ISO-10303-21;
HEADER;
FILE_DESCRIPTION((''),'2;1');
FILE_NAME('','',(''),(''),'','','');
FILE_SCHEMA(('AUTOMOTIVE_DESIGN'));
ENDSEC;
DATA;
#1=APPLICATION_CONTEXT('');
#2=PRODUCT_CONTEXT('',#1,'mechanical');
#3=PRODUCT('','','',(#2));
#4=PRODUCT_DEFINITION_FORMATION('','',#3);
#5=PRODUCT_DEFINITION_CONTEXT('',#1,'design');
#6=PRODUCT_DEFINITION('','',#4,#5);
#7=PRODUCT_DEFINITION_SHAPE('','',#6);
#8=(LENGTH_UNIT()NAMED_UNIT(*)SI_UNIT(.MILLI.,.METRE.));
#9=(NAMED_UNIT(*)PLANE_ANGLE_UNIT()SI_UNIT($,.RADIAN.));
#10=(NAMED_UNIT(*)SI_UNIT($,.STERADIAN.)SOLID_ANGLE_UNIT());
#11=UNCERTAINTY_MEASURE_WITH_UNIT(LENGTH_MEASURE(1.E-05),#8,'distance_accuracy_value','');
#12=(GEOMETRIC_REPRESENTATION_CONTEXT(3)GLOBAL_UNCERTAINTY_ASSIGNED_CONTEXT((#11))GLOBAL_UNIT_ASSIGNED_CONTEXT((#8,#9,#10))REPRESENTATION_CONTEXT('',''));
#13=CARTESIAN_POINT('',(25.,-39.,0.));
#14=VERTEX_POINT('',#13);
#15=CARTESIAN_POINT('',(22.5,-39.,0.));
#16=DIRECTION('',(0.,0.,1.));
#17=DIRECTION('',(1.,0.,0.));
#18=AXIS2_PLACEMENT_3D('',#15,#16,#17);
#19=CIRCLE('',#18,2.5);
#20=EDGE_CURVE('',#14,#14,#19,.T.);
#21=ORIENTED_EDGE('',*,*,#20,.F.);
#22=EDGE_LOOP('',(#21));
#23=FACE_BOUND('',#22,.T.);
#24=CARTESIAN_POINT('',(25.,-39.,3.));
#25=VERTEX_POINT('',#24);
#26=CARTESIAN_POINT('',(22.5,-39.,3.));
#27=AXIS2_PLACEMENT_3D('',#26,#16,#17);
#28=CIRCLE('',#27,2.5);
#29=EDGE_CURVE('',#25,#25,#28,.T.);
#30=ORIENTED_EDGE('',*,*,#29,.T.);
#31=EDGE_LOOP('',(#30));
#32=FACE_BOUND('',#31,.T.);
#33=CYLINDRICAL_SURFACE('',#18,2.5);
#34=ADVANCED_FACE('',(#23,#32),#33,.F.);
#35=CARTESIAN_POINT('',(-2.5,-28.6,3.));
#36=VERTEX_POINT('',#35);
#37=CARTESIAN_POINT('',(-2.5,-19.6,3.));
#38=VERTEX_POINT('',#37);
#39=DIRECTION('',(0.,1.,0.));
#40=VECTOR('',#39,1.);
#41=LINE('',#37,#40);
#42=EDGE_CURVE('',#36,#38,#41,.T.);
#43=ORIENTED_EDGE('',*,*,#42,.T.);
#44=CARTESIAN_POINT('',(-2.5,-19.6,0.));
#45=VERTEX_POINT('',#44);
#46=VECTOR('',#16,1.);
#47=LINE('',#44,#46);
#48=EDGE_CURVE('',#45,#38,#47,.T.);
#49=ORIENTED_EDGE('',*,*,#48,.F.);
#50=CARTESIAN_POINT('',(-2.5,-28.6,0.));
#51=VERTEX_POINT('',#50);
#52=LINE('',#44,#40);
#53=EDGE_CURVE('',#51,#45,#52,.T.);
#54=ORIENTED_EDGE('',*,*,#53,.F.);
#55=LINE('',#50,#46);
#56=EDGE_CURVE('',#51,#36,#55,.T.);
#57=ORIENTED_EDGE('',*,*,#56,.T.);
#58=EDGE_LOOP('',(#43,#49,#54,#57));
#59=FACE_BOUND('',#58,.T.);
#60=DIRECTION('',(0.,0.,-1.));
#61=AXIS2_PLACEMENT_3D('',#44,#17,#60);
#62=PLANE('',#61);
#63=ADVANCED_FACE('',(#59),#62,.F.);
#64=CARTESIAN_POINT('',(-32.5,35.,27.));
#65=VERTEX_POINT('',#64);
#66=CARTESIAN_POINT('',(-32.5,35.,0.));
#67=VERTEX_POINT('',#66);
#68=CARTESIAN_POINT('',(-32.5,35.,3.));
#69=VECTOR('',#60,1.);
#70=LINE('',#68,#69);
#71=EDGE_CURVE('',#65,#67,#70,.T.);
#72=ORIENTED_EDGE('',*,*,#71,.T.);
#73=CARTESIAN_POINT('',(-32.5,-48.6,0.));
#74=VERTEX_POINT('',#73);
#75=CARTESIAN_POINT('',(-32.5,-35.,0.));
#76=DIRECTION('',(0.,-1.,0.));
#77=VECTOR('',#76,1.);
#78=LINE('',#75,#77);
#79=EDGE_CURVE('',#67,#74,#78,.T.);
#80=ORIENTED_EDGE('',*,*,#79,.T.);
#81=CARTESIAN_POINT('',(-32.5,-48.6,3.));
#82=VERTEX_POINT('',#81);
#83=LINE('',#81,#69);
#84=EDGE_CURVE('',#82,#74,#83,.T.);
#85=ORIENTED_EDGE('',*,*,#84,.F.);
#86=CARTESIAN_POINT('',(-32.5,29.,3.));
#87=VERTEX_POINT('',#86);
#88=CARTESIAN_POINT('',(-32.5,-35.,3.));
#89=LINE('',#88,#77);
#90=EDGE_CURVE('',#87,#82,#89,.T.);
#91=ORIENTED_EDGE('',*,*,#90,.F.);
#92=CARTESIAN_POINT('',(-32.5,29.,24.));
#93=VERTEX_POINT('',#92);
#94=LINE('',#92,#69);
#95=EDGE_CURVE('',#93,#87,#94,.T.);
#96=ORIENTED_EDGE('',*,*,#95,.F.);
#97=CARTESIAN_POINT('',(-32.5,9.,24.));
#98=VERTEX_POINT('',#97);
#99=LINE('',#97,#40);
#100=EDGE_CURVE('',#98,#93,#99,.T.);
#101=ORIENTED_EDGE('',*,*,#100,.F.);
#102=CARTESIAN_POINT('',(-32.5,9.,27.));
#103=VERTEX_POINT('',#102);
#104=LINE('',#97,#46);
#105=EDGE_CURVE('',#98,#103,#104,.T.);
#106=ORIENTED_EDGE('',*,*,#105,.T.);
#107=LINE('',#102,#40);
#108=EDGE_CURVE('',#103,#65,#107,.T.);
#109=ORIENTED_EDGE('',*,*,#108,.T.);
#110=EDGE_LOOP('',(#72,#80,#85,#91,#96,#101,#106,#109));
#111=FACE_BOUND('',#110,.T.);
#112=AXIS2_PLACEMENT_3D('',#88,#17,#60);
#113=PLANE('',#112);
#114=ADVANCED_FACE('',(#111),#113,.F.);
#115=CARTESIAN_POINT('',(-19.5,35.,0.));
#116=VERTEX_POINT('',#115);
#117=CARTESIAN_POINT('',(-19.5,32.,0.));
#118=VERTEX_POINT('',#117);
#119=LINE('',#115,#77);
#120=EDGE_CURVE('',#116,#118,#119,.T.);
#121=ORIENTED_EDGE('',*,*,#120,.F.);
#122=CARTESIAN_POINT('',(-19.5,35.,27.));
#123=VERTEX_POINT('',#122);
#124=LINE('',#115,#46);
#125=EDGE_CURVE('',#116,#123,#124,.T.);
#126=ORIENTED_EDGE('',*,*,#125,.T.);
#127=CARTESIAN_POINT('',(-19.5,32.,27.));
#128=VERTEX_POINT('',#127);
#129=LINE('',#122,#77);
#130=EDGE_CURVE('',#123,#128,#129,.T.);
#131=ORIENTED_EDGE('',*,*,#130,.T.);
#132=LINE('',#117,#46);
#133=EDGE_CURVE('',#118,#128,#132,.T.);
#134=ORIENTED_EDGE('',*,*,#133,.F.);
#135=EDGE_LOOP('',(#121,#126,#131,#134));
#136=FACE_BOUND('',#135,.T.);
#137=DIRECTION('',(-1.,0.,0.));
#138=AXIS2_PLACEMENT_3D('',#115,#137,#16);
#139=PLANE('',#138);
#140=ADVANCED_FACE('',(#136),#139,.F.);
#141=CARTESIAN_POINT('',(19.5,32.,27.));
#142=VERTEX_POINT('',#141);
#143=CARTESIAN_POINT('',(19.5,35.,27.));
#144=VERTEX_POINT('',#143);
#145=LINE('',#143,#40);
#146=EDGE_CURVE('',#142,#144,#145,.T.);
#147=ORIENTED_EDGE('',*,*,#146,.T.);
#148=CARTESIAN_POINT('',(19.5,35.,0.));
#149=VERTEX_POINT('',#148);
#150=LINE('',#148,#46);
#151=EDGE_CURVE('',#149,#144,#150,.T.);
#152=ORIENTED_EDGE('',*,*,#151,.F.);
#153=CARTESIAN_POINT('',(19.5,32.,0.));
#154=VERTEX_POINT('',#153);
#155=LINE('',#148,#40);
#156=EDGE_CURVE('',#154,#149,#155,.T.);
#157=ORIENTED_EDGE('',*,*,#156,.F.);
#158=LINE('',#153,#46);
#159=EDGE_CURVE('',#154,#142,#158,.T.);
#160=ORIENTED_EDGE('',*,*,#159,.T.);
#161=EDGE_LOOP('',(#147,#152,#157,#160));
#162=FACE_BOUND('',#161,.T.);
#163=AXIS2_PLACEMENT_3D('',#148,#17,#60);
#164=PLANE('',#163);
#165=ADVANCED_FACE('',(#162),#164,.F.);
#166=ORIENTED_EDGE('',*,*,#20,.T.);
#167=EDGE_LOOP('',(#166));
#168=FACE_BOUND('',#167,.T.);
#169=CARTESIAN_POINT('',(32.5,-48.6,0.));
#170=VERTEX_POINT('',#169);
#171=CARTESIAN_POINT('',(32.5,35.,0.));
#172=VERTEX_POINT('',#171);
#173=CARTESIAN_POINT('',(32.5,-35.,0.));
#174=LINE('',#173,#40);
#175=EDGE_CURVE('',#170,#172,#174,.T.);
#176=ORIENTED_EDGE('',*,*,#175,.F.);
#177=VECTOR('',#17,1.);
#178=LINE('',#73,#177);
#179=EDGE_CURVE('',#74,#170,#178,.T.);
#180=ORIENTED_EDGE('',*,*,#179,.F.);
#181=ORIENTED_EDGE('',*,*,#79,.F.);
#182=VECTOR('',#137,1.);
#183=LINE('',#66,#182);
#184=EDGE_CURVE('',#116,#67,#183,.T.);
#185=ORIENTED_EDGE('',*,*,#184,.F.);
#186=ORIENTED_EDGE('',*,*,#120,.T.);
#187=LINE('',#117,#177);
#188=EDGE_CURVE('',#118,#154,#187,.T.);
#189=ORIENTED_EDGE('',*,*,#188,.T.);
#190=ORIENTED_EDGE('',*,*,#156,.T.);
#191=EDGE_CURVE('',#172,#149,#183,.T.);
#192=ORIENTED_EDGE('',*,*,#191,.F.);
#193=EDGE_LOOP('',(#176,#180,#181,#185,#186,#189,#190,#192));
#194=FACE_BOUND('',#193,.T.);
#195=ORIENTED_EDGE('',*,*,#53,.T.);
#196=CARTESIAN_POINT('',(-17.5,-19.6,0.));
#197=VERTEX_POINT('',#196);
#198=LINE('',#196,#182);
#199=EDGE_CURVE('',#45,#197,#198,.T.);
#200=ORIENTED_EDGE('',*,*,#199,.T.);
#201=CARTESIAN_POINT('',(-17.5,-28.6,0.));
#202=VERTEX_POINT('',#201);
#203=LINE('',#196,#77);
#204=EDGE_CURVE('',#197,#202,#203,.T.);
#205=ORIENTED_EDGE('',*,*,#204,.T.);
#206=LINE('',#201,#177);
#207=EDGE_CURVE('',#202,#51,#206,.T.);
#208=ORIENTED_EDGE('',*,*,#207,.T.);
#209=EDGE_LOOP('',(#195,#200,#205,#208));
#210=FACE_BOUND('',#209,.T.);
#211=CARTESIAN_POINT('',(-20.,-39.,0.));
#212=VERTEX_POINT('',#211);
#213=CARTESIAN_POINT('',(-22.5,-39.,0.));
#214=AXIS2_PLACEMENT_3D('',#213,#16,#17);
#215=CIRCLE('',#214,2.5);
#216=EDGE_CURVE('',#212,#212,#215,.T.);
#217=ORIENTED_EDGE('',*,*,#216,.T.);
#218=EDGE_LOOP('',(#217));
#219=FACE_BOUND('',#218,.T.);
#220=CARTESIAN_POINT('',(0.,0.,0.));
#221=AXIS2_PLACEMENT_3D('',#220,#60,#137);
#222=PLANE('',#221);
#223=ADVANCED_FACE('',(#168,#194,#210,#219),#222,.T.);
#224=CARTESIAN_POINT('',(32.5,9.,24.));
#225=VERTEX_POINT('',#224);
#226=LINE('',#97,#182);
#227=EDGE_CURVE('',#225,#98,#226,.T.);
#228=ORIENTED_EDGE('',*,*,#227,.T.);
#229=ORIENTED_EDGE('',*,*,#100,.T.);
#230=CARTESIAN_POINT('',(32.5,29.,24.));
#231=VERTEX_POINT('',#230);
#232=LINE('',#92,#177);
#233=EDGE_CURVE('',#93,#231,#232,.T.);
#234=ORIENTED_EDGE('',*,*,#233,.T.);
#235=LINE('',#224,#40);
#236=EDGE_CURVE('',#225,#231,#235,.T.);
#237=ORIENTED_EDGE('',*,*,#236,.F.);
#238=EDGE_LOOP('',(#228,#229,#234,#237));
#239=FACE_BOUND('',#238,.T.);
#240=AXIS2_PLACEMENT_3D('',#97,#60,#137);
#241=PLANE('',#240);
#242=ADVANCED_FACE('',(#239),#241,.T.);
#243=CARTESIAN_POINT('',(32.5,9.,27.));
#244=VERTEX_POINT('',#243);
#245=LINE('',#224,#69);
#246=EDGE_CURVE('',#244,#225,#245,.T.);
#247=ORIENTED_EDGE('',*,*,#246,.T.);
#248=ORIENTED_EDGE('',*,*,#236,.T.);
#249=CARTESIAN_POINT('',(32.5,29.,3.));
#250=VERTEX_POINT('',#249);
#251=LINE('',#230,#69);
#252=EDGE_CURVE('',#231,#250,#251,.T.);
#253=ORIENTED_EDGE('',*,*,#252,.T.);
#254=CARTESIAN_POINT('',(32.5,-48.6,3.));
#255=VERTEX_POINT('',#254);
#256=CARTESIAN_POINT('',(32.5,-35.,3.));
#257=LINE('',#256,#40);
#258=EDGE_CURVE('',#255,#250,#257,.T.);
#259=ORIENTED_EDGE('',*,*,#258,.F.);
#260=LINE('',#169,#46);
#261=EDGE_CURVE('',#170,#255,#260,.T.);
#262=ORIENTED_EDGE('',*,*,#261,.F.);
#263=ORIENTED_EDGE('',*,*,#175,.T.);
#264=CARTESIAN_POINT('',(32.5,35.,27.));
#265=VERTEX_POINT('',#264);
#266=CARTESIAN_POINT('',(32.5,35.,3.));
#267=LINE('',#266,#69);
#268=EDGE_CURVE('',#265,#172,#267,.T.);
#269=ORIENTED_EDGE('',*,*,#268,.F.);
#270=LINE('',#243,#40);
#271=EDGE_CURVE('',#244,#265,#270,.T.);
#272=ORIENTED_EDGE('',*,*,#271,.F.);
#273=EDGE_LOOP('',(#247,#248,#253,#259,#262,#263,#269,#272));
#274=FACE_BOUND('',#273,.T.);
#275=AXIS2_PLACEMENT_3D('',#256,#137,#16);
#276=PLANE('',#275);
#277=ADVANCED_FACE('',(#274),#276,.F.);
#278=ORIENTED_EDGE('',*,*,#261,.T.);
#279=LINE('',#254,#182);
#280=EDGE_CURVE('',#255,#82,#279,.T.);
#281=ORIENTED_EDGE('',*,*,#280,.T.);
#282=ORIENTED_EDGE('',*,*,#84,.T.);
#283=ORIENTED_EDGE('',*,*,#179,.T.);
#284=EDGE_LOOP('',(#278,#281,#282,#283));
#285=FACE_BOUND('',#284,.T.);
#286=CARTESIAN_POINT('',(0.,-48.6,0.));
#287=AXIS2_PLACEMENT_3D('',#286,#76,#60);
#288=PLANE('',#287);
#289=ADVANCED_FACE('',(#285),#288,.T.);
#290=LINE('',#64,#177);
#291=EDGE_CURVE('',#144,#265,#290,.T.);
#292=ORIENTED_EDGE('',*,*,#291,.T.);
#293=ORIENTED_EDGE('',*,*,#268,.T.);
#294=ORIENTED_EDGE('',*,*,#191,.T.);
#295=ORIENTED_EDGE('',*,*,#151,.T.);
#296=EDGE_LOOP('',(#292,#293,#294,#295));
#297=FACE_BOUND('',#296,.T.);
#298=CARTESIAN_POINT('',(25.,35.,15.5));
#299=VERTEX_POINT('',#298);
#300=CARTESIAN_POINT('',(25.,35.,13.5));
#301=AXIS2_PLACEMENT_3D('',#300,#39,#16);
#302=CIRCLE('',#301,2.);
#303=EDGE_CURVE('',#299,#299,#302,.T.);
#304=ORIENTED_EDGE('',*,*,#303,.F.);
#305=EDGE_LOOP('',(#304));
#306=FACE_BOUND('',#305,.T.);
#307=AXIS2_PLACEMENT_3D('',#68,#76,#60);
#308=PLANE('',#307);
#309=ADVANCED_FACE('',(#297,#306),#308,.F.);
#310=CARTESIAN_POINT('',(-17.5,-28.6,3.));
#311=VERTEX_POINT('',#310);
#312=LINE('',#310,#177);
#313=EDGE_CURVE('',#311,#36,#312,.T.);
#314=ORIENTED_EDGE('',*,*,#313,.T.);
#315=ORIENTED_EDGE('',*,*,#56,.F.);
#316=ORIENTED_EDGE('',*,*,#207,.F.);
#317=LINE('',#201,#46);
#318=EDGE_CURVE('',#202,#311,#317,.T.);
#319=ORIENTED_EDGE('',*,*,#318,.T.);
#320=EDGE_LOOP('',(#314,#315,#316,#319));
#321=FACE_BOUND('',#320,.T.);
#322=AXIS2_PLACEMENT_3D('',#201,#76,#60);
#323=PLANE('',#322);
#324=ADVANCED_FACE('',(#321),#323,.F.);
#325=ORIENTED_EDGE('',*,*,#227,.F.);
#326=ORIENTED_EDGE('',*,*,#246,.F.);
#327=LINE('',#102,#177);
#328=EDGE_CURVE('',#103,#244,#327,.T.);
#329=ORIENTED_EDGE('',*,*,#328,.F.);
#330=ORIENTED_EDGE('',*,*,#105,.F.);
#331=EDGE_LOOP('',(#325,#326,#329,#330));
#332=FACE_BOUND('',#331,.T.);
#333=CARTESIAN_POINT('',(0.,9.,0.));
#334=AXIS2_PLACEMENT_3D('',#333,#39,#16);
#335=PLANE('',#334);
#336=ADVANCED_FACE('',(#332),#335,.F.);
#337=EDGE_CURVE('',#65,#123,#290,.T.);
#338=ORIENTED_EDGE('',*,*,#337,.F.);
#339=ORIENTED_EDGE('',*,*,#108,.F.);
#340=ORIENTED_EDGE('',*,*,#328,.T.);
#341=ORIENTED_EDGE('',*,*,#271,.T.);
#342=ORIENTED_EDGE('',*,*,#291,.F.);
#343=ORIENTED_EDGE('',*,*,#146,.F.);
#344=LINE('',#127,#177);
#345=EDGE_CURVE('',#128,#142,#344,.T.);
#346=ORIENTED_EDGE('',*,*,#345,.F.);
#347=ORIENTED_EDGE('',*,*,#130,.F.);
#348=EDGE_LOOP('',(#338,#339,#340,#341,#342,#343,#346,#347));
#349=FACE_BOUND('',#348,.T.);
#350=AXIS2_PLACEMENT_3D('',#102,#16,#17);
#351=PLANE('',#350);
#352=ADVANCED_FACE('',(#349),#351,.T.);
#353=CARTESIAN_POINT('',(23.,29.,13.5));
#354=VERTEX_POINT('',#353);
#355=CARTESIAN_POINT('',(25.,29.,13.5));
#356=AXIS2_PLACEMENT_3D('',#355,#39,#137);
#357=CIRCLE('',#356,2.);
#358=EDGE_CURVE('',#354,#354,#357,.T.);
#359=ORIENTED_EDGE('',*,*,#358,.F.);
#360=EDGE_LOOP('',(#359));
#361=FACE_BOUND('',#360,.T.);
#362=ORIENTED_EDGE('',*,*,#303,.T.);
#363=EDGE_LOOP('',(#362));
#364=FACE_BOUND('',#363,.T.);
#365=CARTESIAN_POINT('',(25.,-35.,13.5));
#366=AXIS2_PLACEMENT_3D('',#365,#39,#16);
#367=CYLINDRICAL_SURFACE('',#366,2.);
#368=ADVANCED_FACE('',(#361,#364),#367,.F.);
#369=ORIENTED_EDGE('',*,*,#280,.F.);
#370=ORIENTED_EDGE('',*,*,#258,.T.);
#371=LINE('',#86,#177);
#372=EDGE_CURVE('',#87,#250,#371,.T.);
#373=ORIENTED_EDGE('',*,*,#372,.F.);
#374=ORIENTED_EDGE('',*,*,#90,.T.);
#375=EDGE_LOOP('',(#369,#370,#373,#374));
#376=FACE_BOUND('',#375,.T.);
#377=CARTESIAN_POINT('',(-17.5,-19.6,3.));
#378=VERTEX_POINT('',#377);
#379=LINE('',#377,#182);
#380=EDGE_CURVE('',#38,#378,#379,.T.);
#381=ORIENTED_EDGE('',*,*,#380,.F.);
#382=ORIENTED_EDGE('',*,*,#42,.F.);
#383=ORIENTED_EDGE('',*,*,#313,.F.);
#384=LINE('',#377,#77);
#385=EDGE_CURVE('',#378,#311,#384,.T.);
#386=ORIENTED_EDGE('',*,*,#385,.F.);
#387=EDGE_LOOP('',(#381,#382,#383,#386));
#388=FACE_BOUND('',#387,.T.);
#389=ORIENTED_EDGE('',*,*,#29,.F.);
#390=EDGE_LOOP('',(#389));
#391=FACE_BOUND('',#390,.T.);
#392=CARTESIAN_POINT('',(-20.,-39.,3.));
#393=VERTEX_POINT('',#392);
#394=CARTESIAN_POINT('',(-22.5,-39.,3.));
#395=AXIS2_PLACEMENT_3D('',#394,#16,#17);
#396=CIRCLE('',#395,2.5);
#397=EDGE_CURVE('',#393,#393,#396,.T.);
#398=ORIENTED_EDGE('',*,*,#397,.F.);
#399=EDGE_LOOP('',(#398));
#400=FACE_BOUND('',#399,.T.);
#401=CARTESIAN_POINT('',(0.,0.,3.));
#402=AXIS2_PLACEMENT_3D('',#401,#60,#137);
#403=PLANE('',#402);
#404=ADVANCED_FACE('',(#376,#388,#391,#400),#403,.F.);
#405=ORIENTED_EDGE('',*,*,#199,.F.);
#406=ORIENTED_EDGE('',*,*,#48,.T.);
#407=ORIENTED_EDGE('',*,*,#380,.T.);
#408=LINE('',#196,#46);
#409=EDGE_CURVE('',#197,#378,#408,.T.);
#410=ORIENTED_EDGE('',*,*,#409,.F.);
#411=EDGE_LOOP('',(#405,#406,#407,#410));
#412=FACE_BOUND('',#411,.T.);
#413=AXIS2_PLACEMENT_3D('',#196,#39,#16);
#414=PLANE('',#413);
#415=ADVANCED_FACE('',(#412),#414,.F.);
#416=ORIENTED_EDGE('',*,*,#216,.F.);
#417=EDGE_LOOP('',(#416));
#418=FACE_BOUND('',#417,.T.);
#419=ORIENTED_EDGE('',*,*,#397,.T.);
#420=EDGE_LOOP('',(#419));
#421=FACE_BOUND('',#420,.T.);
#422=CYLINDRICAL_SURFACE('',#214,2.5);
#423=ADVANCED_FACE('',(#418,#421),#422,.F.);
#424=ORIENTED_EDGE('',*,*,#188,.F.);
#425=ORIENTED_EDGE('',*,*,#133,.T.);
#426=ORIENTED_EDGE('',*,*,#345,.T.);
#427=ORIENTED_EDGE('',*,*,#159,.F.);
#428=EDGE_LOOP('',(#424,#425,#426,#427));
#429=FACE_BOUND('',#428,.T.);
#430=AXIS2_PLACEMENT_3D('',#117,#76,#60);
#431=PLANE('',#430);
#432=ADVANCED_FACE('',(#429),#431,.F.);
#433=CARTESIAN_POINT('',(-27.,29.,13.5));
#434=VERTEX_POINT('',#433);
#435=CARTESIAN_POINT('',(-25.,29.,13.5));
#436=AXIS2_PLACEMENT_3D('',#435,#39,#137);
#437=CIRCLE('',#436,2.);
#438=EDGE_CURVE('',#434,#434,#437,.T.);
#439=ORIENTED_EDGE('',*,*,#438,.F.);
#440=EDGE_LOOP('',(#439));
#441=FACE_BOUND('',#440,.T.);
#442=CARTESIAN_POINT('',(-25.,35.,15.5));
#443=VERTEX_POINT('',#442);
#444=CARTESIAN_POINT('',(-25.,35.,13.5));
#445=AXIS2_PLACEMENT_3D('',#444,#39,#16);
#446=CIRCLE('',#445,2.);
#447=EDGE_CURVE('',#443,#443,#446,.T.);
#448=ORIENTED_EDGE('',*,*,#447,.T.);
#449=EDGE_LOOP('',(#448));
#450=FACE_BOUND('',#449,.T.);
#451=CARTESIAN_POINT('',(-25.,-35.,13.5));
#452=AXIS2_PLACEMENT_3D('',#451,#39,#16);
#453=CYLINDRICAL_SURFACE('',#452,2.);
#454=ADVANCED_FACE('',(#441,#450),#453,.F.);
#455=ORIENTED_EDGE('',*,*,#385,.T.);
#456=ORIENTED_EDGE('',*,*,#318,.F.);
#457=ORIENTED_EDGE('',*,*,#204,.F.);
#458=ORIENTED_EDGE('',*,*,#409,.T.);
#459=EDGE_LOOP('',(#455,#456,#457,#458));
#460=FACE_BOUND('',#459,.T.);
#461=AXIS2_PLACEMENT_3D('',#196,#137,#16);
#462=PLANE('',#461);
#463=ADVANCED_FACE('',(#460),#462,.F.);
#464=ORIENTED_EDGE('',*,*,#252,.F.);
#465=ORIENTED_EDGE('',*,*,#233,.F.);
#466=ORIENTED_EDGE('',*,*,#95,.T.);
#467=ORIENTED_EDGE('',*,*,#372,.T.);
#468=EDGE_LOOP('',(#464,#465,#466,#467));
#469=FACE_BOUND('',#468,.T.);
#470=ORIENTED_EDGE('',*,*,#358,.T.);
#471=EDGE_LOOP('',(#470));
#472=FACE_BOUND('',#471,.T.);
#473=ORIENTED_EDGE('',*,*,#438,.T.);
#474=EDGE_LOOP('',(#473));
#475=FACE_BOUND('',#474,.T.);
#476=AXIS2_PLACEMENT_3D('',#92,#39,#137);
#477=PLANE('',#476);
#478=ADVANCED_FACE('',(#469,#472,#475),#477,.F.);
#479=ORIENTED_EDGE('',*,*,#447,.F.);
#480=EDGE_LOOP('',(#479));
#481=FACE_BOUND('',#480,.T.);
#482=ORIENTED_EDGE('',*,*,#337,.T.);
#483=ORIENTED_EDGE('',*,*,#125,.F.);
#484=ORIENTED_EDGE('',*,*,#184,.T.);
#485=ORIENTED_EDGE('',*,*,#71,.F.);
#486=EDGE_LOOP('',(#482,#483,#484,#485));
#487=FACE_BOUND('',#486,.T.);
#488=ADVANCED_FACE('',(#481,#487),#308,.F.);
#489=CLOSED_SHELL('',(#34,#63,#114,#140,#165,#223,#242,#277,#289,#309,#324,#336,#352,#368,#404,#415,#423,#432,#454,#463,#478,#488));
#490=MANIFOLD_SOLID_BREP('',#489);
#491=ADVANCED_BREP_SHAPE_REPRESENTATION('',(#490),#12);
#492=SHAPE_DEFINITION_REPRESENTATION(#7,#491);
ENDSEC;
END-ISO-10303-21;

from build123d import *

# Parameters (mm, degrees)
SKETCH_1_W          = 65
SKETCH_1_H          = 70
EXTRUDE_1_DEPTH     = 3
SKETCH_2_W          = 65
SKETCH_2_H          = 6
EXTRUDE_2_DEPTH     = 21
SKETCH_3_W          = 65
SKETCH_3_H          = 3
EXTRUDE_3_DEPTH     = 26
SKETCH_4_W          = 39
SKETCH_4_H          = 3
CUT_EXTRUDE_1_DEPTH = 55.865745233
SKETCH_5_R          = 2
CUT_EXTRUDE_2_DEPTH = 82.76337811
SKETCH_6_W          = 65
SKETCH_6_H          = 3
EXTRUDE_4_DEPTH     = 13.6
SKETCH_7_R          = 2.5
CUT_EXTRUDE_3_DEPTH = 64.199762658
SKETCH_8_W          = 15
SKETCH_8_H          = 9
CUT_EXTRUDE_4_DEPTH = 64.199762658


with BuildPart() as part:
    # 草图1 → 凸台-拉伸1 (new body)
    with BuildSketch(Plane.XY):
        Rectangle(SKETCH_1_W, SKETCH_1_H)
    extrude(amount=EXTRUDE_1_DEPTH)

    # 草图2 → 凸台-拉伸2 (add)
    with BuildSketch(Plane.XY.offset(3)):
        with Locations((0, 32)):
            Rectangle(SKETCH_2_W, SKETCH_2_H)
    extrude(amount=EXTRUDE_2_DEPTH)

    # 草图3 → 凸台-拉伸3 (add)
    with BuildSketch(Plane(origin=(0, 35, 0), x_dir=(1, 0, 0), z_dir=(0, 1, 0))):
        with Locations((0, -25.5)):
            Rectangle(SKETCH_3_W, SKETCH_3_H)
    extrude(amount=-EXTRUDE_3_DEPTH)

    # 草图4 → 切除-拉伸1 (cut, through all)
    with BuildSketch(Plane.XY.offset(27)):
        with Locations((0, 33.5)):
            Rectangle(SKETCH_4_W, SKETCH_4_H)
    extrude(amount=-CUT_EXTRUDE_1_DEPTH, mode=Mode.SUBTRACT)

    # 草图5 → 切除-拉伸2 (cut, through all)
    with BuildSketch(Plane(origin=(0, 35, 0), x_dir=(1, 0, 0), z_dir=(0, 1, 0))):
        with Locations(Location((-25, -13.5, 0), (0, 0, 270))):
            Circle(SKETCH_5_R)
        with Locations(Location((25, -13.5, 0), (0, 0, 270))):
            Circle(SKETCH_5_R)
    extrude(amount=-CUT_EXTRUDE_2_DEPTH, mode=Mode.SUBTRACT)

    # 草图6 → 凸台-拉伸4 (add)
    with BuildSketch(Plane.XZ.offset(35)):
        with Locations((0, 1.5)):
            Rectangle(SKETCH_6_W, SKETCH_6_H)
    extrude(amount=EXTRUDE_4_DEPTH)

    # 草图7 → 切除-拉伸3 (cut, through all)
    with BuildSketch(Plane.XY.offset(3)):
        with Locations((-22.5, -39)):
            Circle(SKETCH_7_R)
        with Locations((22.5, -39)):
            Circle(SKETCH_7_R)
    extrude(amount=-CUT_EXTRUDE_3_DEPTH, mode=Mode.SUBTRACT)

    # 草图8 → 切除-拉伸4 (cut, through all)
    with BuildSketch(Plane.XY.offset(3)):
        with Locations((-10, -24.1)):
            Rectangle(SKETCH_8_W, SKETCH_8_H)
    extrude(amount=-CUT_EXTRUDE_4_DEPTH, mode=Mode.SUBTRACT)


solid = part.part
